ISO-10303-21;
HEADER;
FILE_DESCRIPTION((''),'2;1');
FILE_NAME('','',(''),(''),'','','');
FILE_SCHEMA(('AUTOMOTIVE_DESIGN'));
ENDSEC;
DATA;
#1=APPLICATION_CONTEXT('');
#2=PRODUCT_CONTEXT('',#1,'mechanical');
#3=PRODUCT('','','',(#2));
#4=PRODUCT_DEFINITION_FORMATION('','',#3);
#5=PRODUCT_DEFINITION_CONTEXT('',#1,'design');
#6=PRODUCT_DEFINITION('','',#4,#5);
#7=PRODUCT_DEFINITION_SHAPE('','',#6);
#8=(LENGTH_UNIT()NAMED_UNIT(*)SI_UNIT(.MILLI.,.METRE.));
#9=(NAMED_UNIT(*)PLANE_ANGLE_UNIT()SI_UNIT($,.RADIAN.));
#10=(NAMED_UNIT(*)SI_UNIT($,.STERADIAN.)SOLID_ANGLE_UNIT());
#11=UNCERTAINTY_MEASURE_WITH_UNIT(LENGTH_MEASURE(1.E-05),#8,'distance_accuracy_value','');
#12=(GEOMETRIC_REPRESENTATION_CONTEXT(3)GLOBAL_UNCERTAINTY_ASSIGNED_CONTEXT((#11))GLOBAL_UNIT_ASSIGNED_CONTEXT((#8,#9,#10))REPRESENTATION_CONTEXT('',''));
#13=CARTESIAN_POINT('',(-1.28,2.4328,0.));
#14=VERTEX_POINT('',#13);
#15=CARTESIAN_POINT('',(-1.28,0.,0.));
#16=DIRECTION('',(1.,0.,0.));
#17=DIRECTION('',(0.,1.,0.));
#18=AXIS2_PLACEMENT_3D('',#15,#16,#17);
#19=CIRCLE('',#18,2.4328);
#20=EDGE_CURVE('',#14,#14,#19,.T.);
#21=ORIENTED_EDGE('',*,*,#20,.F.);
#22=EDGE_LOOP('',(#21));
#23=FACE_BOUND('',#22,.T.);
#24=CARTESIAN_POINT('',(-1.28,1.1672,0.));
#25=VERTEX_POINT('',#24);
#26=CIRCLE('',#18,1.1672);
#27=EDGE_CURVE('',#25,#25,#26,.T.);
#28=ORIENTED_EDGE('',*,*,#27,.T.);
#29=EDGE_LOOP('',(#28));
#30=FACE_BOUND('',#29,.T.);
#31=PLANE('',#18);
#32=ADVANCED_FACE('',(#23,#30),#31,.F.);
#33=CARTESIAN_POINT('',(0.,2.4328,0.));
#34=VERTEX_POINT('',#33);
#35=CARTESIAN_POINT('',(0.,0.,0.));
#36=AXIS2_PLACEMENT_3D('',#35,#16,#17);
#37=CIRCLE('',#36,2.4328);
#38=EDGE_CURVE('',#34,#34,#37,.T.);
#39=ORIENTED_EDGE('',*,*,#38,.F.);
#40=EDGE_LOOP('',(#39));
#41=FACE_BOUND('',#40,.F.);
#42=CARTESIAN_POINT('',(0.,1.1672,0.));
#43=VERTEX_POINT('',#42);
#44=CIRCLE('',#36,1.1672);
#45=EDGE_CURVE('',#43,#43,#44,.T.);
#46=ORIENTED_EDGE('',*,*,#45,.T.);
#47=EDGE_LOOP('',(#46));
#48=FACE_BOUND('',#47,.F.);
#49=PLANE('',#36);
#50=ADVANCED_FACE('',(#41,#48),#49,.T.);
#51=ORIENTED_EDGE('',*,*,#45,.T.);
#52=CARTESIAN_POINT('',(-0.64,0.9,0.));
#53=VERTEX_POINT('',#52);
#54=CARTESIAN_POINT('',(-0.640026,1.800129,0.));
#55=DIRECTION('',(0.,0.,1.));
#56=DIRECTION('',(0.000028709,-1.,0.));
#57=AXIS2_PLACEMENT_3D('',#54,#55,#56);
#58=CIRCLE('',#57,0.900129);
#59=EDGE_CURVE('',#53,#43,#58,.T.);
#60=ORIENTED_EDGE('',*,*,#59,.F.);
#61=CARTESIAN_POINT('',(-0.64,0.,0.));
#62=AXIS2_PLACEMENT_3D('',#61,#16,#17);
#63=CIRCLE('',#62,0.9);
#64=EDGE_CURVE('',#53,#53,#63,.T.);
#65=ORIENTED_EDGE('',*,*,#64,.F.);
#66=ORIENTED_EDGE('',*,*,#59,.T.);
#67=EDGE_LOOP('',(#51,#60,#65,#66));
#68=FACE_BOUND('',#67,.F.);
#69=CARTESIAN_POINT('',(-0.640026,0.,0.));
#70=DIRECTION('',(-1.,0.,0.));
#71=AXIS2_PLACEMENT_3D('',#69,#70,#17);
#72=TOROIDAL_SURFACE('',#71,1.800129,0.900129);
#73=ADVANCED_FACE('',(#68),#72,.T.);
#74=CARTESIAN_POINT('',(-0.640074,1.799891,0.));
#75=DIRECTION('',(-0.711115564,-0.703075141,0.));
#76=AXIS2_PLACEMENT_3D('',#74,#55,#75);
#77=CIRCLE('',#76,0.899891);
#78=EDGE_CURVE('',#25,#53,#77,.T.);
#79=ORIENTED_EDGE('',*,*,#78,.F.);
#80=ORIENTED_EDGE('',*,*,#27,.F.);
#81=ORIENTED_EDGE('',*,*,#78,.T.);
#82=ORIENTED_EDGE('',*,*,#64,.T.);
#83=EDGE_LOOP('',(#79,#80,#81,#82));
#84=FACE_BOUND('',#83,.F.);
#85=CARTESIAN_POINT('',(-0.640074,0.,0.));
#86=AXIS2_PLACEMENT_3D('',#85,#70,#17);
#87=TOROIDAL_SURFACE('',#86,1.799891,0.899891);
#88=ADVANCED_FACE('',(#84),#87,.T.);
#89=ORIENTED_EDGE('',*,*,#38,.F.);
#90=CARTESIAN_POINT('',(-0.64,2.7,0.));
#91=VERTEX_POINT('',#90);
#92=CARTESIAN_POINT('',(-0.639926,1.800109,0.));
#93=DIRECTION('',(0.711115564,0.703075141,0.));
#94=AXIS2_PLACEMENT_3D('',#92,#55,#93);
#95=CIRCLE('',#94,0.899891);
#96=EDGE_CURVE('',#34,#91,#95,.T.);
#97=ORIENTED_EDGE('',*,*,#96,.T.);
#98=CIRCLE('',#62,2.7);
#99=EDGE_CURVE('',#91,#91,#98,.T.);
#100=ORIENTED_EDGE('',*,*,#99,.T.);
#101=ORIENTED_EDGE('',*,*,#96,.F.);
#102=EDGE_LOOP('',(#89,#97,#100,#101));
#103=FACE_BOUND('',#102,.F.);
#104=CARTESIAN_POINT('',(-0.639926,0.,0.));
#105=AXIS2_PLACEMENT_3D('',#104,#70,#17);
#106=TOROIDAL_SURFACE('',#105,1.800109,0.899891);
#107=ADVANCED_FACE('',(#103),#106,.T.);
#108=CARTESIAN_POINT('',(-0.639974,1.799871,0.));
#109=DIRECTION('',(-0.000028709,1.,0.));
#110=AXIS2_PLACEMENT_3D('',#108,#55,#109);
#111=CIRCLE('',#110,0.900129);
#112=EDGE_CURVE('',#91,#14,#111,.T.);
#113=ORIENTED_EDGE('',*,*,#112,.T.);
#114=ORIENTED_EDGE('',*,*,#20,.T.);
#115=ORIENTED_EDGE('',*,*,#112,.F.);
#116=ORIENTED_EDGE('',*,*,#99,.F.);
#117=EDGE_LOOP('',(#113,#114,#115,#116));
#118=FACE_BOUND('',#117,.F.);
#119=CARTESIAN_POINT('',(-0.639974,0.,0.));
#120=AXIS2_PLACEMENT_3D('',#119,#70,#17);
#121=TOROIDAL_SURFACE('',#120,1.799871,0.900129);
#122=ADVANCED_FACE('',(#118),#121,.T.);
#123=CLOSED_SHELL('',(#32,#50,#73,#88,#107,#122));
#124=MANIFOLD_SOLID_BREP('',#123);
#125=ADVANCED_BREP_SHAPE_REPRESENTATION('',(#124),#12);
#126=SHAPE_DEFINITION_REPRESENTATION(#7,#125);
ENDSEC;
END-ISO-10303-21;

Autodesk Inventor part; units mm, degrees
ref_plane "YZ Plane" through (0, 0, 0) normal (1, 0, 0) x (0, 1, 0)
ref_plane "XZ Plane" through (0, 0, 0) normal (0, 1, 0) x (-1, 0, 0)
ref_plane "XY Plane" through (0, 0, 0) normal (0, 0, 1) x (1, 0, 0)
sketch "Sketch1" plane through (0, 0, 0) normal (0, 0, 1) x (1, 0, 0)
  arc A0 (-0.64, 0.9) -> (0, 1.1672) centre (-0.64, 1.8) ccw
  line L0 (0, 1.8) -> (-0.64, 1.8)
  line L1 (-0.64, 1.8) -> (-0.64, 0.9)
  line L2 (0, 1.1672) -> (0, 1.8)
  arc A1 (0, 2.4328) -> (-0.64, 2.7) centre (-0.64, 1.8) ccw
  line L3 (-0.64, 1.8) -> (-0.64, 2.7)
  line L4 (0, 2.4328) -> (0, 1.8)
  arc A2 (-1.28, 1.1672) -> (-0.64, 0.9) centre (-0.64, 1.8) ccw
  line L5 (-1.28, 1.1672) -> (-1.28, 1.8)
  arc A3 (-0.64, 2.7) -> (-1.28, 2.4328) centre (-0.64, 1.8) ccw
  line L6 (-0.64, 1.8) -> (-0.64, 2.7)
  line L7 (-1.28, 2.4328) -> (-1.28, 1.8)
  line L8 (0, 20.1057) -> (0, -3.3509) projected
  line L9 (-2, 0) -> (1, 0)
  line L10 (-2.62, 0) -> (1.6033, 0) projected
  dimension "d0" = 0.9
  dimension "d1" = 0.64
  dimension "d13" = 1.8
revolve "Body" add sketch "Sketch1" angle 360 about axis through (-2, 0, 0) along (1, 0, 0)
equation "\"d0\" = 0.5 * QDM"
equation "\"d1\" = 0.5 * NTOR"
equation "\"d13\" = NDO1"
equation "\"QDM\" = 1.8"
equation "\"NTOR\" = 1.28"
equation "\"NDO1\" = 1.8"
equation "\"R2\" = 0.2"
equation "\"SD1\" = 1.8"
equation "\"R1\" = 0.3"
equation "\"NB1\" = 2.6"
properties part number "ISO 3601-1 - A 0018 G" material "Rubber"
